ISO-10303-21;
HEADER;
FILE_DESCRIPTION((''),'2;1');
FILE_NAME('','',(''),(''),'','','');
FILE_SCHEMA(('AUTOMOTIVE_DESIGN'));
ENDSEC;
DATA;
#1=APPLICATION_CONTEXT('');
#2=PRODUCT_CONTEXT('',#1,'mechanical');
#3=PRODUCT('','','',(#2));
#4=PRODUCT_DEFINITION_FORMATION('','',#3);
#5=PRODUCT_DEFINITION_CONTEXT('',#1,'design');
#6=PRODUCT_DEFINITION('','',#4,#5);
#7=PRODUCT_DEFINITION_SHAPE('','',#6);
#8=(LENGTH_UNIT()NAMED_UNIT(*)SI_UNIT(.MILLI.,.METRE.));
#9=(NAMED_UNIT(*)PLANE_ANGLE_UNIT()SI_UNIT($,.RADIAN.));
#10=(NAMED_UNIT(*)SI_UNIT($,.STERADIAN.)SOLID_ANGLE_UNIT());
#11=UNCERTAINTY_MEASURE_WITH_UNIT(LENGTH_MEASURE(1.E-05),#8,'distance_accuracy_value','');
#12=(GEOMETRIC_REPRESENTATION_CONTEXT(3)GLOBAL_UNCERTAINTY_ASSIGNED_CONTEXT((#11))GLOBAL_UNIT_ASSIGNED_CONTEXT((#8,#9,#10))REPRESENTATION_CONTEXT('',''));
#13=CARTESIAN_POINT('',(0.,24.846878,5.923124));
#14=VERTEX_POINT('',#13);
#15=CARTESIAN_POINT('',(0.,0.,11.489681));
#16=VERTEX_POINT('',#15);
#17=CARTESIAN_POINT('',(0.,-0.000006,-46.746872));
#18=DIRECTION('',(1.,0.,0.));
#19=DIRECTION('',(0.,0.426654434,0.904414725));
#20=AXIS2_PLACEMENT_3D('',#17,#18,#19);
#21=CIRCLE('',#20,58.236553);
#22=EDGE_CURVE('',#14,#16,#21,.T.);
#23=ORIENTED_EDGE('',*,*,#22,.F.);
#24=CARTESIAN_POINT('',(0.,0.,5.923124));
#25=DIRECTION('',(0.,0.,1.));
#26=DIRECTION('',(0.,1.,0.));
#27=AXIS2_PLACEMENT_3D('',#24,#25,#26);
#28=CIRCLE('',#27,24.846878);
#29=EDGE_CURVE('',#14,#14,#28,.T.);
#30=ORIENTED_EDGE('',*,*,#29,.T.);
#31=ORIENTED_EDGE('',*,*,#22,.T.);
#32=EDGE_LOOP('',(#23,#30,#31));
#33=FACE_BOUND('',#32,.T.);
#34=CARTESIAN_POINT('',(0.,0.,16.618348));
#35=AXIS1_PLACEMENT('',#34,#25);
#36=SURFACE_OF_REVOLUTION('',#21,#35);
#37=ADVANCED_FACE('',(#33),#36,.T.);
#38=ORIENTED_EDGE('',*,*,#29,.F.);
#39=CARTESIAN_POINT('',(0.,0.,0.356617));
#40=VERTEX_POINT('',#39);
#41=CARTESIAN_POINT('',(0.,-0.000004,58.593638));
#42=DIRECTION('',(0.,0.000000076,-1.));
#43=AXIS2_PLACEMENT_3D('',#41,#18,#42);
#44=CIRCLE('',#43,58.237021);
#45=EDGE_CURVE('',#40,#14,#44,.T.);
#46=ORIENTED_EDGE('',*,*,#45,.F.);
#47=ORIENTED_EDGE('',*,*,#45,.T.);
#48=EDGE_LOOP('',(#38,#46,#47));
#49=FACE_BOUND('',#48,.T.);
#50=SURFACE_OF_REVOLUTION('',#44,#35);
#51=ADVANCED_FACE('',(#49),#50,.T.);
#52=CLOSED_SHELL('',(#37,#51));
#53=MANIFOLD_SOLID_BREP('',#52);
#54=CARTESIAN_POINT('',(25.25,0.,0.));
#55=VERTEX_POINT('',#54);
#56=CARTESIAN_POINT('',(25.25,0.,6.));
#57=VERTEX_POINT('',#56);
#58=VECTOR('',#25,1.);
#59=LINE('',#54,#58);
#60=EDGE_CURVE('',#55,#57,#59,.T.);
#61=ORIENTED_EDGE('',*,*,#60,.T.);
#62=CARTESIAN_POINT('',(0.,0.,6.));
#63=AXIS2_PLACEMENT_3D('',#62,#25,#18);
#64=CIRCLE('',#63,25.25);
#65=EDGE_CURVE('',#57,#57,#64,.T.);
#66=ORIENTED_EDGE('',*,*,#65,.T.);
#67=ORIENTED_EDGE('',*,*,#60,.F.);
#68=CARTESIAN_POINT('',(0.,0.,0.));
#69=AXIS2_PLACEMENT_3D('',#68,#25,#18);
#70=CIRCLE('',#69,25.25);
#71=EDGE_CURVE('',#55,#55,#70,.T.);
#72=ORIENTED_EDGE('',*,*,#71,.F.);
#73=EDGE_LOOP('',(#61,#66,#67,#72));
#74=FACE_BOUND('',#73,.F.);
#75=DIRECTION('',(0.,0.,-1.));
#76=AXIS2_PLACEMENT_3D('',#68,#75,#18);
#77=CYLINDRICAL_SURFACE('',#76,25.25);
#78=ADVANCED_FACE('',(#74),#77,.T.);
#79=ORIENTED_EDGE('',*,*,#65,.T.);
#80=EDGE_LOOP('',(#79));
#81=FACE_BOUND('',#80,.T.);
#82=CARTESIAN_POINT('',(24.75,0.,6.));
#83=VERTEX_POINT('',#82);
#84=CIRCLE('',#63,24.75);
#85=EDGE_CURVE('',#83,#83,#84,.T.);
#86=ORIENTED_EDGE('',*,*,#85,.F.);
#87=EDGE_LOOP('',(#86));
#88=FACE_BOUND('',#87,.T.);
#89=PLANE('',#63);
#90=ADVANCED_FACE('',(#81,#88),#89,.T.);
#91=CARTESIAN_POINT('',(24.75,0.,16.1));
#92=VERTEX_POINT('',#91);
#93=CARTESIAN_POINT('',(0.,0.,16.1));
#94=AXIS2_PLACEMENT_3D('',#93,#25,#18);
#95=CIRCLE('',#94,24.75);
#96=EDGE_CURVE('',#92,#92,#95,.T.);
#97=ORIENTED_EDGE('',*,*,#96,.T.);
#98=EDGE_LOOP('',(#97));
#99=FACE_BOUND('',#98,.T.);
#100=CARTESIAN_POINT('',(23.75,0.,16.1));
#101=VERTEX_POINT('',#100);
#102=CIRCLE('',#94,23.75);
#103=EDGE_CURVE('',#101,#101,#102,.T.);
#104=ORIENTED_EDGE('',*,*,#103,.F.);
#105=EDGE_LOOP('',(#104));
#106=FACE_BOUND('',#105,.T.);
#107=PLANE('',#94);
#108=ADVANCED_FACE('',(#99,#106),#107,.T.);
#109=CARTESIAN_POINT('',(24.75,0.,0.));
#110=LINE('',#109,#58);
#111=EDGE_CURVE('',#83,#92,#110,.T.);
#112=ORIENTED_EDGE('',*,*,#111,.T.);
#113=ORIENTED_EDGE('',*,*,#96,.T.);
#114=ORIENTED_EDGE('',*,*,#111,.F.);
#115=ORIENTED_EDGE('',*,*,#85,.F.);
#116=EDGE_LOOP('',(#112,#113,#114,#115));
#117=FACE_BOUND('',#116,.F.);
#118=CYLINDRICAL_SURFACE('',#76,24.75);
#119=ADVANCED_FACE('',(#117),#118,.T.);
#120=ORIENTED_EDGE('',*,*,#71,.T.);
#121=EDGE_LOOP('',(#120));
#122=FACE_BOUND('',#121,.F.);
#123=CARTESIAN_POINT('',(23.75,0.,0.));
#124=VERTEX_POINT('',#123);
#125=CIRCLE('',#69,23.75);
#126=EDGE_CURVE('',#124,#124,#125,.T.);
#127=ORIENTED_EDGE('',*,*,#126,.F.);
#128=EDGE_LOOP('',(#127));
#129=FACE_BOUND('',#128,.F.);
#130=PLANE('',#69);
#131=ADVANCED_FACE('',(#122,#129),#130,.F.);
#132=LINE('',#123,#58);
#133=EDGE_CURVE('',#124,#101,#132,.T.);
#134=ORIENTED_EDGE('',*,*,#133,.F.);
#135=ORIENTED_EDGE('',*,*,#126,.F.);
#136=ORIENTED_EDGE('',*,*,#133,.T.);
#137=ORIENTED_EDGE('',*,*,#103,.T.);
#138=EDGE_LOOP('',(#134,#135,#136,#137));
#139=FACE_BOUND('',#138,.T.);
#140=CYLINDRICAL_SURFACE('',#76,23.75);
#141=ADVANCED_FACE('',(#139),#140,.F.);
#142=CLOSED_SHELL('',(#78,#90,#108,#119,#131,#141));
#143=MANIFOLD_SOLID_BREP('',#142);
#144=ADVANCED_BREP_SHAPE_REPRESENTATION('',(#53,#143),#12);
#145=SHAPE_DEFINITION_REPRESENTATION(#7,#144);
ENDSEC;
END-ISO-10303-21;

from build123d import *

# Parameters (mm, degrees)
F0_R     = 24.75
F0_R_2   = 23.75
F1_DEPTH = 16.1
F0_R_3   = 25.25
F2_DEPTH = 6


with BuildPart() as f1:
    # F0 (on Top) → F1 (new body)
    with BuildSketch(Plane.XY):
        Circle(F0_R)
        Circle(F0_R_2, mode=Mode.SUBTRACT)
    extrude(amount=F1_DEPTH)

    # F0 (on Top) → F2 (join)
    with BuildSketch(Plane.XY):
        Circle(F0_R_3)
        Circle(F0_R, mode=Mode.SUBTRACT)
    extrude(amount=F2_DEPTH)


with BuildPart() as f4:
    # F3 (on Right) → F4 (revolve)
    with BuildSketch(Plane.YZ):
        with BuildLine():
            ThreePointArc((0, 0.356617), (12.731392, 1.765281), (24.846878, 5.923124))
            ThreePointArc((24.846878, 5.923124), (12.731397, 10.081004), (0, 11.489681))
            Line((0, 11.489681), (0, 0.356617))
        make_face()
    revolve(axis=Axis((0, 0, 16.618348), (0, 0, 1)))


solid = Compound([f1.part, f4.part])
